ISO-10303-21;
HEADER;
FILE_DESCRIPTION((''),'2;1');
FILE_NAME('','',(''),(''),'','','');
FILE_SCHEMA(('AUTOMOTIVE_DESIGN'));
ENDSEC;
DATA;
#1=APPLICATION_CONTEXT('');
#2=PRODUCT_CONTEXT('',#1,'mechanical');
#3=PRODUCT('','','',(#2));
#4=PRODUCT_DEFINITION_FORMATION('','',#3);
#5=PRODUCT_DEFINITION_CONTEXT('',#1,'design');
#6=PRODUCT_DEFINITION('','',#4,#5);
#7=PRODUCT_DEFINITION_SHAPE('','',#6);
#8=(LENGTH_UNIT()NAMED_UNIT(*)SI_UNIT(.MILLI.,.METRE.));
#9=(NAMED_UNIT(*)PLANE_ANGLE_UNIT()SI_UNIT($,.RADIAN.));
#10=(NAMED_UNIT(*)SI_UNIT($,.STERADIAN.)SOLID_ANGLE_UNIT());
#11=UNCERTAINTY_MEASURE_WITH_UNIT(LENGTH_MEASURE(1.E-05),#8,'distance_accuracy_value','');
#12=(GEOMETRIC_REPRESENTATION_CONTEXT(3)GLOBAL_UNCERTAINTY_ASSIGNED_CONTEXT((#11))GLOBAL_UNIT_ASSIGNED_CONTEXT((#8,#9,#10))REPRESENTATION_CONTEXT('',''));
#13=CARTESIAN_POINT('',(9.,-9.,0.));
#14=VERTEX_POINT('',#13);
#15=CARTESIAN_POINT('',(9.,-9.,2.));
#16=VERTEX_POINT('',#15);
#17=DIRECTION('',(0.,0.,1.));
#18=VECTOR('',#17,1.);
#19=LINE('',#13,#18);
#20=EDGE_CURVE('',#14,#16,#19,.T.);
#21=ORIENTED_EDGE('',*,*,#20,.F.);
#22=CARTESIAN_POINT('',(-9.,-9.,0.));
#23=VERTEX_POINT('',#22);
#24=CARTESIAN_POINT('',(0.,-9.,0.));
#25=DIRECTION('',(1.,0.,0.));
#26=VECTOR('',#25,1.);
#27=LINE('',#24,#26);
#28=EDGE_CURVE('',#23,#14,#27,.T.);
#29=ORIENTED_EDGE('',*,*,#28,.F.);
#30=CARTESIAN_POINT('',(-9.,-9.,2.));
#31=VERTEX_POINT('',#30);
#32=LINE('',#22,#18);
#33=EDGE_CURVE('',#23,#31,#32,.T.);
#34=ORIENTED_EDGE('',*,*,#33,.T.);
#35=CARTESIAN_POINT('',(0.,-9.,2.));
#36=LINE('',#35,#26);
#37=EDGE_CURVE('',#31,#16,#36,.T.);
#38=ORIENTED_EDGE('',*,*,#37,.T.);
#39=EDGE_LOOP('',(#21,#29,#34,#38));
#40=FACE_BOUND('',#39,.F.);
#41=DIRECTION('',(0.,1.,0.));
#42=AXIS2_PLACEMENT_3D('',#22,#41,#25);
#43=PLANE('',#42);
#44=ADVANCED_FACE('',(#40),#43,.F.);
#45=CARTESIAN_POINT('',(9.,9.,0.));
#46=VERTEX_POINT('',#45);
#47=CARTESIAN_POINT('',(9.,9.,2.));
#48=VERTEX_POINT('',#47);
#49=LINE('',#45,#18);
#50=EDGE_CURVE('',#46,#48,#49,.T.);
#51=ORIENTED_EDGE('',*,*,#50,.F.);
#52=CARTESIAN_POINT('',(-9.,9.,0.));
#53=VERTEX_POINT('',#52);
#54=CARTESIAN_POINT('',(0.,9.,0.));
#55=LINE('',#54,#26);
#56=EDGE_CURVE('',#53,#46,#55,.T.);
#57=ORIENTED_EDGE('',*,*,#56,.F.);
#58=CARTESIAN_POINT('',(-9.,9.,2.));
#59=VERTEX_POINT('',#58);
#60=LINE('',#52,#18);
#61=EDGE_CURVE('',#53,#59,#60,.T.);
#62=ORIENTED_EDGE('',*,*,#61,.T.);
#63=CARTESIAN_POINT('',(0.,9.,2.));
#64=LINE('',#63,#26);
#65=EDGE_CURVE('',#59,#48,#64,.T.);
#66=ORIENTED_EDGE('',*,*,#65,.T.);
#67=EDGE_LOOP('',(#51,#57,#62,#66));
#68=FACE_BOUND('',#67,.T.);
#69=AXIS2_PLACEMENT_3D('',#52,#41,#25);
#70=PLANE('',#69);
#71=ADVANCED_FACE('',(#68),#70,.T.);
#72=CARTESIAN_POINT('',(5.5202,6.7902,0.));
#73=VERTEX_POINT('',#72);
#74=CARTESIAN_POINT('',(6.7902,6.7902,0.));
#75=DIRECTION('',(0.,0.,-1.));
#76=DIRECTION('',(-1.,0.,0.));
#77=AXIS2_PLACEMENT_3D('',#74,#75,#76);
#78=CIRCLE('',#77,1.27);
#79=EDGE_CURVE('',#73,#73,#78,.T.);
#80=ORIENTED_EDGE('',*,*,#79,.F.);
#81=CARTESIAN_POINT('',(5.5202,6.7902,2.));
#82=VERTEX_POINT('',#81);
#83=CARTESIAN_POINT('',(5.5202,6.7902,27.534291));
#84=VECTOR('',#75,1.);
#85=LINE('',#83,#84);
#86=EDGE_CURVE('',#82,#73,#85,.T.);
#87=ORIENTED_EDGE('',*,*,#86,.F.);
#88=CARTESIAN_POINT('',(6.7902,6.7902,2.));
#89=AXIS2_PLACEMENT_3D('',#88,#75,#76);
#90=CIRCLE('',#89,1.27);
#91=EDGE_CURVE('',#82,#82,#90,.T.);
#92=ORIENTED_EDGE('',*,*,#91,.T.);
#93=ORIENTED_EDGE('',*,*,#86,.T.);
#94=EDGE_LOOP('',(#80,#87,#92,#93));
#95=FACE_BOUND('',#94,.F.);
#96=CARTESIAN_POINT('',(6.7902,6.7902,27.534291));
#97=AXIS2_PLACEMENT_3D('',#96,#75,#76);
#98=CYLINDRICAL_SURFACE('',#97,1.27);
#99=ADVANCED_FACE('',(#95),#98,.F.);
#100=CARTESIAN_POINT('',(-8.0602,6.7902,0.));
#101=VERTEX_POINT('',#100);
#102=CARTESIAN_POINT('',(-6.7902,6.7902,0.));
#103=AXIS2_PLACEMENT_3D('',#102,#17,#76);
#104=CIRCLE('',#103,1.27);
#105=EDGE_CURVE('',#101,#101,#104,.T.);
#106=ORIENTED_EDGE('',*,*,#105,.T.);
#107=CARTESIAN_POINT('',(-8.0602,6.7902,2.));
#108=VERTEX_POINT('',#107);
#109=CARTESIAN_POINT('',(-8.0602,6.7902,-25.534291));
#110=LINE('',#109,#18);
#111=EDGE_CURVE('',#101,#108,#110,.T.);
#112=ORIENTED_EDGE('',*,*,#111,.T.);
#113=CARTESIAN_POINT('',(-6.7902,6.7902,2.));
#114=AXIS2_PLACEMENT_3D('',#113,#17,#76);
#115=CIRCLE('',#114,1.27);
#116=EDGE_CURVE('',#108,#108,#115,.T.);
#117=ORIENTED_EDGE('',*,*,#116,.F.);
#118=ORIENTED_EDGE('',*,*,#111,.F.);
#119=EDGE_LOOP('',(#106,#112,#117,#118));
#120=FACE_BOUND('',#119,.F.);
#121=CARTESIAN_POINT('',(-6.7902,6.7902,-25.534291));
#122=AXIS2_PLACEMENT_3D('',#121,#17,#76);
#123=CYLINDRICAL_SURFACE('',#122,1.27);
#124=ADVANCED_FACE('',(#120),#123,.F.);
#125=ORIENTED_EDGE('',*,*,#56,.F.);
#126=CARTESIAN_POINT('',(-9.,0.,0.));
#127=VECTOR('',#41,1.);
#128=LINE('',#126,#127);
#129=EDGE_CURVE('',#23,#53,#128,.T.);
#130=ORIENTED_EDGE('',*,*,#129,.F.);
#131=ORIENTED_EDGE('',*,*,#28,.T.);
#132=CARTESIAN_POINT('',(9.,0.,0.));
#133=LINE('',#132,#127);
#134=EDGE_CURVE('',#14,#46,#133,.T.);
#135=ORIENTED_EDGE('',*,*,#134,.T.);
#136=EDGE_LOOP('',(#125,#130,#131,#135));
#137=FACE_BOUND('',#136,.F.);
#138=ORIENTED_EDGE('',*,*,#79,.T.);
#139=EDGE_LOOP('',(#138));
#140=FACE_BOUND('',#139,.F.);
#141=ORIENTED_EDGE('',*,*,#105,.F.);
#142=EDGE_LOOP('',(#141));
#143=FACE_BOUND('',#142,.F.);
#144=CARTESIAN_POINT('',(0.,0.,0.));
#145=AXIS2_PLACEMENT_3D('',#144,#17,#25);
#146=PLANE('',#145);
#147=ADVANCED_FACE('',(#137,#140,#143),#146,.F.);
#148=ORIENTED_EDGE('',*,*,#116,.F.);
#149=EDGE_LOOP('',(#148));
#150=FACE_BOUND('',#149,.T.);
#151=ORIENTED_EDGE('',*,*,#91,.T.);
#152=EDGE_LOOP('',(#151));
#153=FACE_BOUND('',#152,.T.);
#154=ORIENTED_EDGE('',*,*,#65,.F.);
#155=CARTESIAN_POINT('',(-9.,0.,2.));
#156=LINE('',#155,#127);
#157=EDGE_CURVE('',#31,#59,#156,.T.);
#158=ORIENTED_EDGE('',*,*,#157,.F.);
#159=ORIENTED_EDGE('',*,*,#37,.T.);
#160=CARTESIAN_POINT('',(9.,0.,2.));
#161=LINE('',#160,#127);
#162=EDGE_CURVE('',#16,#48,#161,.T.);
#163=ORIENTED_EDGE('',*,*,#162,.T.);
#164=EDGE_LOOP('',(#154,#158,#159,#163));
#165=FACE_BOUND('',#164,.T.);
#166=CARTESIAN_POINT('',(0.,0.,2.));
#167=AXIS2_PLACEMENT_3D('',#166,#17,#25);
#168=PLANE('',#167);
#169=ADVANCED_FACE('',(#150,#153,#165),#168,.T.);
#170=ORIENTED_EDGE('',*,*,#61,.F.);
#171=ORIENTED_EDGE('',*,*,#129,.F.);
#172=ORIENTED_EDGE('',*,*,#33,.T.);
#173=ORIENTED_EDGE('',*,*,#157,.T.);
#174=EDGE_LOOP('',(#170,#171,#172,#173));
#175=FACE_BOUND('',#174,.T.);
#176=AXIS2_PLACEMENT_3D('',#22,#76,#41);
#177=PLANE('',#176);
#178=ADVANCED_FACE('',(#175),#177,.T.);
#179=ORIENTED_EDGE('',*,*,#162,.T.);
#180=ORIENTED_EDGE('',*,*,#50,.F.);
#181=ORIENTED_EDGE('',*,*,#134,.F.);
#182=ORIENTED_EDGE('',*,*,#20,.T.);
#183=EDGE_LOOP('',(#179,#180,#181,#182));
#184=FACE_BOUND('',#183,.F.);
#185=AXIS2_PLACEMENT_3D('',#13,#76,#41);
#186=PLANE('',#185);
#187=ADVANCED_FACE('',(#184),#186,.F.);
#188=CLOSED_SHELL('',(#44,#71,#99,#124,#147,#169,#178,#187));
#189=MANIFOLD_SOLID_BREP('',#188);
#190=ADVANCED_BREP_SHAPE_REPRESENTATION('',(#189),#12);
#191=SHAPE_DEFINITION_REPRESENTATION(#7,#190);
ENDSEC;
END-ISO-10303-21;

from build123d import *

# Parameters (mm, degrees)
F0_W     = 18
F0_H     = 18
F1_DEPTH = 2
F3_D     = 2.54
F5_D     = 2.54


with BuildPart() as f1:
    # F0 (on Top) → F1 (new body)
    with BuildSketch(Plane.XY):
        Rectangle(F0_W, F0_H)
    extrude(amount=F1_DEPTH)

    # F3 (through all)
    with Locations(Plane.XY.offset(2)):
        with Locations((6.7902, 6.7902)):
            Hole(F3_D / 2)

    # F5 (through all)
    with Locations(Plane(origin=(0, 0, 0), x_dir=(1, 0, 0), z_dir=(0, 0, -1))):
        with Locations((-6.7902, -6.7902)):
            Hole(F5_D / 2)


solid = f1.part
